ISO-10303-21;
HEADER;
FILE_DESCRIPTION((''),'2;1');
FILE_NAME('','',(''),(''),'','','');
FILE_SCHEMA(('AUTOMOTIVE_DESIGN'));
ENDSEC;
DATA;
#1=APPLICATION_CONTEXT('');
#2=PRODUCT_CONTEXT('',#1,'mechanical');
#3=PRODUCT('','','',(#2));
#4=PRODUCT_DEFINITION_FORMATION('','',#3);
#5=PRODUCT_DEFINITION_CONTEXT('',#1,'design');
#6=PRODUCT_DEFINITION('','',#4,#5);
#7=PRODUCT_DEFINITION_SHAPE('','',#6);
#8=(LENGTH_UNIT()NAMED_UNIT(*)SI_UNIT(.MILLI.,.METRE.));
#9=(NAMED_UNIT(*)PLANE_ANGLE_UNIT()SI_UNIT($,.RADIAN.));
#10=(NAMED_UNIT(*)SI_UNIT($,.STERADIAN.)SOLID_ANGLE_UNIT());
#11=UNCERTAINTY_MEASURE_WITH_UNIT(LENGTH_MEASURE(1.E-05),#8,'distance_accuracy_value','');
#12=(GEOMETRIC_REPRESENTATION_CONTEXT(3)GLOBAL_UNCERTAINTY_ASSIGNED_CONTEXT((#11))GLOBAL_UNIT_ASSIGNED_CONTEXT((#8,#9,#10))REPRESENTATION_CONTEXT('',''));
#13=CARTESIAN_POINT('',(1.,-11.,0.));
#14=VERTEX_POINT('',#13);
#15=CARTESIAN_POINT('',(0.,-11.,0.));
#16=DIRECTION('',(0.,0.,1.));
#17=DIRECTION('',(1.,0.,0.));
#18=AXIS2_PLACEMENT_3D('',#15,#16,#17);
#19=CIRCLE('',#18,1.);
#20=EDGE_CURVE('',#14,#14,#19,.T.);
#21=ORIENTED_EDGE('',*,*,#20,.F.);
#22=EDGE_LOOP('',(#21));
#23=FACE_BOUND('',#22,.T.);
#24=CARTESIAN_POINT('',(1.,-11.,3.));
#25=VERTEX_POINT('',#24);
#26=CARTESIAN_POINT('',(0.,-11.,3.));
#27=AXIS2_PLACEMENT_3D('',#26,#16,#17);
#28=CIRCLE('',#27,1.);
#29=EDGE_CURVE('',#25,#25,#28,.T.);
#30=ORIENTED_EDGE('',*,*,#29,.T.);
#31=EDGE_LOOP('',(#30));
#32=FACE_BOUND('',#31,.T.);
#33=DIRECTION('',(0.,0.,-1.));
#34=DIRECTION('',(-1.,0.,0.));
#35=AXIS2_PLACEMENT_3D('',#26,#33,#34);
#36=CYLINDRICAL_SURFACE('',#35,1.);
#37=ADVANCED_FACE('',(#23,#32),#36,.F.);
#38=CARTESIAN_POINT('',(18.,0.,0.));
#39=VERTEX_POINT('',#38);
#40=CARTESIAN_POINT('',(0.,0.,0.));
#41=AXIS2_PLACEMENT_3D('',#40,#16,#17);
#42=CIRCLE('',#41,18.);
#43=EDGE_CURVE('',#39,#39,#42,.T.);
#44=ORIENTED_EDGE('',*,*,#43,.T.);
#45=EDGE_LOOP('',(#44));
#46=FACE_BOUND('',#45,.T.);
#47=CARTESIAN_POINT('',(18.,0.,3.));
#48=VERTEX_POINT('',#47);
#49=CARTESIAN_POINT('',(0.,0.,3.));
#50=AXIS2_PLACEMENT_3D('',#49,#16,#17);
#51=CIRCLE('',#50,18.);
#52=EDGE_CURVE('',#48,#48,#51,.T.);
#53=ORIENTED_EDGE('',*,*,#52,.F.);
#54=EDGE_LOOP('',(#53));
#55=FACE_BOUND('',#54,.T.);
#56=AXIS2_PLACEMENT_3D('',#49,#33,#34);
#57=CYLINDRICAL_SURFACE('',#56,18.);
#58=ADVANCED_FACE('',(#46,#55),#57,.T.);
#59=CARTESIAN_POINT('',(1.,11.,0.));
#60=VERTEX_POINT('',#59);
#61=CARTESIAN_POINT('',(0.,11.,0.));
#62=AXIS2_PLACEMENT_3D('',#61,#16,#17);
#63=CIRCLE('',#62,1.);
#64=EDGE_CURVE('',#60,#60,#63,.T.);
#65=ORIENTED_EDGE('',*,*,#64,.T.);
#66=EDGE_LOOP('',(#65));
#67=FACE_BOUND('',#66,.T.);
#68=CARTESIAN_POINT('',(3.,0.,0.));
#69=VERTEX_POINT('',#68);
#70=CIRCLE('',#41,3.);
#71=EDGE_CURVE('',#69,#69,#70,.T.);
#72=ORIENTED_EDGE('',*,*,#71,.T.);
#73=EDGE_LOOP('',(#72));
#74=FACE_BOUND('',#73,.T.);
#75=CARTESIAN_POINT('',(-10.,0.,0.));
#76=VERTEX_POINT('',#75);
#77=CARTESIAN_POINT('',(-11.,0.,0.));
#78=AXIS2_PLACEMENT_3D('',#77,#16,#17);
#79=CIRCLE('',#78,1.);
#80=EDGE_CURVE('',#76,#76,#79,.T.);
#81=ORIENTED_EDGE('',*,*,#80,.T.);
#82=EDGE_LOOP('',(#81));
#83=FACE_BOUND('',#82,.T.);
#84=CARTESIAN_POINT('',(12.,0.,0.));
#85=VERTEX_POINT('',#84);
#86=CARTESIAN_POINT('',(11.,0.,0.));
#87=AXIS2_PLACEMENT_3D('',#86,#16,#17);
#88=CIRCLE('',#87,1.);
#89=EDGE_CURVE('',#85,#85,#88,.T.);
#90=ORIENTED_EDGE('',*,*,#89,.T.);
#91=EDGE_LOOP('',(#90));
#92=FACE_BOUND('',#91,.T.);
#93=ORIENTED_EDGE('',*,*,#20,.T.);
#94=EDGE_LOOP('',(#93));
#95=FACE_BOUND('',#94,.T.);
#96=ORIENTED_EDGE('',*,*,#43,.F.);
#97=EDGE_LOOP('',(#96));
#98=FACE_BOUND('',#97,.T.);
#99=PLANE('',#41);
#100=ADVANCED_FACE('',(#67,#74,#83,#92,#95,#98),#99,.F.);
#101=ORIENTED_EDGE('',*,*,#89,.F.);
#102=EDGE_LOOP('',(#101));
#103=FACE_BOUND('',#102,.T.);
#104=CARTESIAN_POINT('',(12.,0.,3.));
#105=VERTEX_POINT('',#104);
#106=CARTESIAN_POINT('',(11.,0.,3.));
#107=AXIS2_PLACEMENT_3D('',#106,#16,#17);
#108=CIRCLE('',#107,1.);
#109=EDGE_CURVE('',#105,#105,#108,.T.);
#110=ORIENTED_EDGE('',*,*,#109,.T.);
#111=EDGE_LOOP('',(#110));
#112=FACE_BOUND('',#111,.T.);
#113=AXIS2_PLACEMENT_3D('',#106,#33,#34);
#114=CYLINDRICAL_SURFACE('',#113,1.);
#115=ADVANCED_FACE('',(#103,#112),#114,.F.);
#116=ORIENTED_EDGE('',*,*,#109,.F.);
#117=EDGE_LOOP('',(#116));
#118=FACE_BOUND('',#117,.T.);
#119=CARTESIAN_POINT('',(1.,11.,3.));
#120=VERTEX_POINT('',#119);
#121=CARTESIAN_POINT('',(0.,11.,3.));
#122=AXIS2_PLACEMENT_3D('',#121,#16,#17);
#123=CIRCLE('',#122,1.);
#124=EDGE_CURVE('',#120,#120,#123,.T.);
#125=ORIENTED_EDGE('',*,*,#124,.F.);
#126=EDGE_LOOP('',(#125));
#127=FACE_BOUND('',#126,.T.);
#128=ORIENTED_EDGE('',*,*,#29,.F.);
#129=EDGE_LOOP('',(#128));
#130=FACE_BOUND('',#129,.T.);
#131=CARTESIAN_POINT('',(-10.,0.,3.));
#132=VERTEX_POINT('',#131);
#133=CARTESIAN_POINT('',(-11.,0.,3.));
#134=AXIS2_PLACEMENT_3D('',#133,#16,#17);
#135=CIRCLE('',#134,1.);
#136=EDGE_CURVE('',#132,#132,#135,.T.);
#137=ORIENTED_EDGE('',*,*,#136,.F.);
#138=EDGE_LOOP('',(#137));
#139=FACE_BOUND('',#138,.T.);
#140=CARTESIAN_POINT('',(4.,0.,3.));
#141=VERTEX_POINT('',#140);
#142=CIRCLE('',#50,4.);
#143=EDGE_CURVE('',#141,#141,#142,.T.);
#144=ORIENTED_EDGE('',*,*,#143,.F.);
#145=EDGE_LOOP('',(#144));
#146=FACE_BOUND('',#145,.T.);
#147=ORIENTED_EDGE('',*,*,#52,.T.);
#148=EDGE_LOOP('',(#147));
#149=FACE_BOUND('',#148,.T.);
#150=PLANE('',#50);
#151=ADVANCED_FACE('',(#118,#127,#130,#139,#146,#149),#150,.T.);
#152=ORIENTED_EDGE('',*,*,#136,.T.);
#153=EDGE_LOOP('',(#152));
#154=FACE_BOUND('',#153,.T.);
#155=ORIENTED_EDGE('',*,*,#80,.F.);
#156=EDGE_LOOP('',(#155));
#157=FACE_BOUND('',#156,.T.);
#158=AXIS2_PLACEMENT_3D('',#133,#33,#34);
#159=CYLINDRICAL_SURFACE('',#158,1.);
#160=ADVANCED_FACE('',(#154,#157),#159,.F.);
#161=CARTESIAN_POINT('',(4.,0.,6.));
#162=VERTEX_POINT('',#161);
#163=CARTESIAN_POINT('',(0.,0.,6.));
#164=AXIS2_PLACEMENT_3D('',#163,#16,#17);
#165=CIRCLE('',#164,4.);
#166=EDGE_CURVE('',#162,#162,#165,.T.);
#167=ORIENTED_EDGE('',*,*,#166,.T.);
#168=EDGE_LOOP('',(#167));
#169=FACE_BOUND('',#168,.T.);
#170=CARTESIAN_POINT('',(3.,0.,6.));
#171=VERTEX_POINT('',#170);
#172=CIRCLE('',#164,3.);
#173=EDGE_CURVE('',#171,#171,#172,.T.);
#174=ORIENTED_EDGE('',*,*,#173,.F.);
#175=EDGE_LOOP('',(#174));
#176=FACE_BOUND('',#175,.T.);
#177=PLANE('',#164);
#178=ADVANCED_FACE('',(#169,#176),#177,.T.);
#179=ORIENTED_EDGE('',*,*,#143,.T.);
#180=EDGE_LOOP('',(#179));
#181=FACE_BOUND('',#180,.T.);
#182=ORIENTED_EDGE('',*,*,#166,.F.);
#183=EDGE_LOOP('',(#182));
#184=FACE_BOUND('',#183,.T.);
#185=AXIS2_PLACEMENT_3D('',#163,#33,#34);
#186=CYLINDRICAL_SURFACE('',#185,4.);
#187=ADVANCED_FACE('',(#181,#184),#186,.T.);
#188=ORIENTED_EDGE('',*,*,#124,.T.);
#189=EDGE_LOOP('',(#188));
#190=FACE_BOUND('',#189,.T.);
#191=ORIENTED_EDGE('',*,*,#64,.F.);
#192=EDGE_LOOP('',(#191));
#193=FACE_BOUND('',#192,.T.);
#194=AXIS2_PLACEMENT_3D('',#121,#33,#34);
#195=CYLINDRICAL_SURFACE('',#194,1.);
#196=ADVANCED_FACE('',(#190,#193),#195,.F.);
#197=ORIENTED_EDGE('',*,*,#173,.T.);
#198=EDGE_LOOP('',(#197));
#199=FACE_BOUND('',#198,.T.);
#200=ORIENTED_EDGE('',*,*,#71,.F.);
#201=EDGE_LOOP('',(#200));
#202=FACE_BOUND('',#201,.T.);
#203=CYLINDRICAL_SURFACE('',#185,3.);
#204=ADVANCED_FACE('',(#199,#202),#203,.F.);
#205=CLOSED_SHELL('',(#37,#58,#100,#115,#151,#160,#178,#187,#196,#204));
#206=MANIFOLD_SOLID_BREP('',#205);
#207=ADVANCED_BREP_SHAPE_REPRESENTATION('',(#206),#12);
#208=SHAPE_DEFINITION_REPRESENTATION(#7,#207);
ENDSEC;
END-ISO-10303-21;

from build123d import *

# Parameters (mm, degrees)
SKETCH1_R           = 18
SKETCH1_R_2         = 1
BOSS_EXTRUDE1_DEPTH = 3
SKETCH2_R           = 4
SKETCH2_R_2         = 3
BOSS_EXTRUDE2_DEPTH = 3
SKETCH3_R           = 3
CUT_EXTRUDE1_DEPTH  = 5


with BuildPart() as part:
    # Sketch1 → Boss-Extrude1 (new body)
    with BuildSketch(Plane.XY):
        Circle(SKETCH1_R)
        with Locations((0, 11)):
            Circle(SKETCH1_R_2, mode=Mode.SUBTRACT)
        with Locations((11, 0)):
            Circle(SKETCH1_R_2, mode=Mode.SUBTRACT)
        with Locations((0, -11)):
            Circle(SKETCH1_R_2, mode=Mode.SUBTRACT)
        with Locations((-11, 0)):
            Circle(SKETCH1_R_2, mode=Mode.SUBTRACT)
    extrude(amount=BOSS_EXTRUDE1_DEPTH)

    # Sketch2 → Boss-Extrude2 (add)
    with BuildSketch(Plane.XY.offset(3)):
        Circle(SKETCH2_R)
        Circle(SKETCH2_R_2, mode=Mode.SUBTRACT)
    extrude(amount=BOSS_EXTRUDE2_DEPTH)

    # Sketch3 → Cut-Extrude1 (cut)
    with BuildSketch(Plane.XY.offset(3)):
        Circle(SKETCH3_R)
    extrude(amount=-CUT_EXTRUDE1_DEPTH, mode=Mode.SUBTRACT)


solid = part.part
